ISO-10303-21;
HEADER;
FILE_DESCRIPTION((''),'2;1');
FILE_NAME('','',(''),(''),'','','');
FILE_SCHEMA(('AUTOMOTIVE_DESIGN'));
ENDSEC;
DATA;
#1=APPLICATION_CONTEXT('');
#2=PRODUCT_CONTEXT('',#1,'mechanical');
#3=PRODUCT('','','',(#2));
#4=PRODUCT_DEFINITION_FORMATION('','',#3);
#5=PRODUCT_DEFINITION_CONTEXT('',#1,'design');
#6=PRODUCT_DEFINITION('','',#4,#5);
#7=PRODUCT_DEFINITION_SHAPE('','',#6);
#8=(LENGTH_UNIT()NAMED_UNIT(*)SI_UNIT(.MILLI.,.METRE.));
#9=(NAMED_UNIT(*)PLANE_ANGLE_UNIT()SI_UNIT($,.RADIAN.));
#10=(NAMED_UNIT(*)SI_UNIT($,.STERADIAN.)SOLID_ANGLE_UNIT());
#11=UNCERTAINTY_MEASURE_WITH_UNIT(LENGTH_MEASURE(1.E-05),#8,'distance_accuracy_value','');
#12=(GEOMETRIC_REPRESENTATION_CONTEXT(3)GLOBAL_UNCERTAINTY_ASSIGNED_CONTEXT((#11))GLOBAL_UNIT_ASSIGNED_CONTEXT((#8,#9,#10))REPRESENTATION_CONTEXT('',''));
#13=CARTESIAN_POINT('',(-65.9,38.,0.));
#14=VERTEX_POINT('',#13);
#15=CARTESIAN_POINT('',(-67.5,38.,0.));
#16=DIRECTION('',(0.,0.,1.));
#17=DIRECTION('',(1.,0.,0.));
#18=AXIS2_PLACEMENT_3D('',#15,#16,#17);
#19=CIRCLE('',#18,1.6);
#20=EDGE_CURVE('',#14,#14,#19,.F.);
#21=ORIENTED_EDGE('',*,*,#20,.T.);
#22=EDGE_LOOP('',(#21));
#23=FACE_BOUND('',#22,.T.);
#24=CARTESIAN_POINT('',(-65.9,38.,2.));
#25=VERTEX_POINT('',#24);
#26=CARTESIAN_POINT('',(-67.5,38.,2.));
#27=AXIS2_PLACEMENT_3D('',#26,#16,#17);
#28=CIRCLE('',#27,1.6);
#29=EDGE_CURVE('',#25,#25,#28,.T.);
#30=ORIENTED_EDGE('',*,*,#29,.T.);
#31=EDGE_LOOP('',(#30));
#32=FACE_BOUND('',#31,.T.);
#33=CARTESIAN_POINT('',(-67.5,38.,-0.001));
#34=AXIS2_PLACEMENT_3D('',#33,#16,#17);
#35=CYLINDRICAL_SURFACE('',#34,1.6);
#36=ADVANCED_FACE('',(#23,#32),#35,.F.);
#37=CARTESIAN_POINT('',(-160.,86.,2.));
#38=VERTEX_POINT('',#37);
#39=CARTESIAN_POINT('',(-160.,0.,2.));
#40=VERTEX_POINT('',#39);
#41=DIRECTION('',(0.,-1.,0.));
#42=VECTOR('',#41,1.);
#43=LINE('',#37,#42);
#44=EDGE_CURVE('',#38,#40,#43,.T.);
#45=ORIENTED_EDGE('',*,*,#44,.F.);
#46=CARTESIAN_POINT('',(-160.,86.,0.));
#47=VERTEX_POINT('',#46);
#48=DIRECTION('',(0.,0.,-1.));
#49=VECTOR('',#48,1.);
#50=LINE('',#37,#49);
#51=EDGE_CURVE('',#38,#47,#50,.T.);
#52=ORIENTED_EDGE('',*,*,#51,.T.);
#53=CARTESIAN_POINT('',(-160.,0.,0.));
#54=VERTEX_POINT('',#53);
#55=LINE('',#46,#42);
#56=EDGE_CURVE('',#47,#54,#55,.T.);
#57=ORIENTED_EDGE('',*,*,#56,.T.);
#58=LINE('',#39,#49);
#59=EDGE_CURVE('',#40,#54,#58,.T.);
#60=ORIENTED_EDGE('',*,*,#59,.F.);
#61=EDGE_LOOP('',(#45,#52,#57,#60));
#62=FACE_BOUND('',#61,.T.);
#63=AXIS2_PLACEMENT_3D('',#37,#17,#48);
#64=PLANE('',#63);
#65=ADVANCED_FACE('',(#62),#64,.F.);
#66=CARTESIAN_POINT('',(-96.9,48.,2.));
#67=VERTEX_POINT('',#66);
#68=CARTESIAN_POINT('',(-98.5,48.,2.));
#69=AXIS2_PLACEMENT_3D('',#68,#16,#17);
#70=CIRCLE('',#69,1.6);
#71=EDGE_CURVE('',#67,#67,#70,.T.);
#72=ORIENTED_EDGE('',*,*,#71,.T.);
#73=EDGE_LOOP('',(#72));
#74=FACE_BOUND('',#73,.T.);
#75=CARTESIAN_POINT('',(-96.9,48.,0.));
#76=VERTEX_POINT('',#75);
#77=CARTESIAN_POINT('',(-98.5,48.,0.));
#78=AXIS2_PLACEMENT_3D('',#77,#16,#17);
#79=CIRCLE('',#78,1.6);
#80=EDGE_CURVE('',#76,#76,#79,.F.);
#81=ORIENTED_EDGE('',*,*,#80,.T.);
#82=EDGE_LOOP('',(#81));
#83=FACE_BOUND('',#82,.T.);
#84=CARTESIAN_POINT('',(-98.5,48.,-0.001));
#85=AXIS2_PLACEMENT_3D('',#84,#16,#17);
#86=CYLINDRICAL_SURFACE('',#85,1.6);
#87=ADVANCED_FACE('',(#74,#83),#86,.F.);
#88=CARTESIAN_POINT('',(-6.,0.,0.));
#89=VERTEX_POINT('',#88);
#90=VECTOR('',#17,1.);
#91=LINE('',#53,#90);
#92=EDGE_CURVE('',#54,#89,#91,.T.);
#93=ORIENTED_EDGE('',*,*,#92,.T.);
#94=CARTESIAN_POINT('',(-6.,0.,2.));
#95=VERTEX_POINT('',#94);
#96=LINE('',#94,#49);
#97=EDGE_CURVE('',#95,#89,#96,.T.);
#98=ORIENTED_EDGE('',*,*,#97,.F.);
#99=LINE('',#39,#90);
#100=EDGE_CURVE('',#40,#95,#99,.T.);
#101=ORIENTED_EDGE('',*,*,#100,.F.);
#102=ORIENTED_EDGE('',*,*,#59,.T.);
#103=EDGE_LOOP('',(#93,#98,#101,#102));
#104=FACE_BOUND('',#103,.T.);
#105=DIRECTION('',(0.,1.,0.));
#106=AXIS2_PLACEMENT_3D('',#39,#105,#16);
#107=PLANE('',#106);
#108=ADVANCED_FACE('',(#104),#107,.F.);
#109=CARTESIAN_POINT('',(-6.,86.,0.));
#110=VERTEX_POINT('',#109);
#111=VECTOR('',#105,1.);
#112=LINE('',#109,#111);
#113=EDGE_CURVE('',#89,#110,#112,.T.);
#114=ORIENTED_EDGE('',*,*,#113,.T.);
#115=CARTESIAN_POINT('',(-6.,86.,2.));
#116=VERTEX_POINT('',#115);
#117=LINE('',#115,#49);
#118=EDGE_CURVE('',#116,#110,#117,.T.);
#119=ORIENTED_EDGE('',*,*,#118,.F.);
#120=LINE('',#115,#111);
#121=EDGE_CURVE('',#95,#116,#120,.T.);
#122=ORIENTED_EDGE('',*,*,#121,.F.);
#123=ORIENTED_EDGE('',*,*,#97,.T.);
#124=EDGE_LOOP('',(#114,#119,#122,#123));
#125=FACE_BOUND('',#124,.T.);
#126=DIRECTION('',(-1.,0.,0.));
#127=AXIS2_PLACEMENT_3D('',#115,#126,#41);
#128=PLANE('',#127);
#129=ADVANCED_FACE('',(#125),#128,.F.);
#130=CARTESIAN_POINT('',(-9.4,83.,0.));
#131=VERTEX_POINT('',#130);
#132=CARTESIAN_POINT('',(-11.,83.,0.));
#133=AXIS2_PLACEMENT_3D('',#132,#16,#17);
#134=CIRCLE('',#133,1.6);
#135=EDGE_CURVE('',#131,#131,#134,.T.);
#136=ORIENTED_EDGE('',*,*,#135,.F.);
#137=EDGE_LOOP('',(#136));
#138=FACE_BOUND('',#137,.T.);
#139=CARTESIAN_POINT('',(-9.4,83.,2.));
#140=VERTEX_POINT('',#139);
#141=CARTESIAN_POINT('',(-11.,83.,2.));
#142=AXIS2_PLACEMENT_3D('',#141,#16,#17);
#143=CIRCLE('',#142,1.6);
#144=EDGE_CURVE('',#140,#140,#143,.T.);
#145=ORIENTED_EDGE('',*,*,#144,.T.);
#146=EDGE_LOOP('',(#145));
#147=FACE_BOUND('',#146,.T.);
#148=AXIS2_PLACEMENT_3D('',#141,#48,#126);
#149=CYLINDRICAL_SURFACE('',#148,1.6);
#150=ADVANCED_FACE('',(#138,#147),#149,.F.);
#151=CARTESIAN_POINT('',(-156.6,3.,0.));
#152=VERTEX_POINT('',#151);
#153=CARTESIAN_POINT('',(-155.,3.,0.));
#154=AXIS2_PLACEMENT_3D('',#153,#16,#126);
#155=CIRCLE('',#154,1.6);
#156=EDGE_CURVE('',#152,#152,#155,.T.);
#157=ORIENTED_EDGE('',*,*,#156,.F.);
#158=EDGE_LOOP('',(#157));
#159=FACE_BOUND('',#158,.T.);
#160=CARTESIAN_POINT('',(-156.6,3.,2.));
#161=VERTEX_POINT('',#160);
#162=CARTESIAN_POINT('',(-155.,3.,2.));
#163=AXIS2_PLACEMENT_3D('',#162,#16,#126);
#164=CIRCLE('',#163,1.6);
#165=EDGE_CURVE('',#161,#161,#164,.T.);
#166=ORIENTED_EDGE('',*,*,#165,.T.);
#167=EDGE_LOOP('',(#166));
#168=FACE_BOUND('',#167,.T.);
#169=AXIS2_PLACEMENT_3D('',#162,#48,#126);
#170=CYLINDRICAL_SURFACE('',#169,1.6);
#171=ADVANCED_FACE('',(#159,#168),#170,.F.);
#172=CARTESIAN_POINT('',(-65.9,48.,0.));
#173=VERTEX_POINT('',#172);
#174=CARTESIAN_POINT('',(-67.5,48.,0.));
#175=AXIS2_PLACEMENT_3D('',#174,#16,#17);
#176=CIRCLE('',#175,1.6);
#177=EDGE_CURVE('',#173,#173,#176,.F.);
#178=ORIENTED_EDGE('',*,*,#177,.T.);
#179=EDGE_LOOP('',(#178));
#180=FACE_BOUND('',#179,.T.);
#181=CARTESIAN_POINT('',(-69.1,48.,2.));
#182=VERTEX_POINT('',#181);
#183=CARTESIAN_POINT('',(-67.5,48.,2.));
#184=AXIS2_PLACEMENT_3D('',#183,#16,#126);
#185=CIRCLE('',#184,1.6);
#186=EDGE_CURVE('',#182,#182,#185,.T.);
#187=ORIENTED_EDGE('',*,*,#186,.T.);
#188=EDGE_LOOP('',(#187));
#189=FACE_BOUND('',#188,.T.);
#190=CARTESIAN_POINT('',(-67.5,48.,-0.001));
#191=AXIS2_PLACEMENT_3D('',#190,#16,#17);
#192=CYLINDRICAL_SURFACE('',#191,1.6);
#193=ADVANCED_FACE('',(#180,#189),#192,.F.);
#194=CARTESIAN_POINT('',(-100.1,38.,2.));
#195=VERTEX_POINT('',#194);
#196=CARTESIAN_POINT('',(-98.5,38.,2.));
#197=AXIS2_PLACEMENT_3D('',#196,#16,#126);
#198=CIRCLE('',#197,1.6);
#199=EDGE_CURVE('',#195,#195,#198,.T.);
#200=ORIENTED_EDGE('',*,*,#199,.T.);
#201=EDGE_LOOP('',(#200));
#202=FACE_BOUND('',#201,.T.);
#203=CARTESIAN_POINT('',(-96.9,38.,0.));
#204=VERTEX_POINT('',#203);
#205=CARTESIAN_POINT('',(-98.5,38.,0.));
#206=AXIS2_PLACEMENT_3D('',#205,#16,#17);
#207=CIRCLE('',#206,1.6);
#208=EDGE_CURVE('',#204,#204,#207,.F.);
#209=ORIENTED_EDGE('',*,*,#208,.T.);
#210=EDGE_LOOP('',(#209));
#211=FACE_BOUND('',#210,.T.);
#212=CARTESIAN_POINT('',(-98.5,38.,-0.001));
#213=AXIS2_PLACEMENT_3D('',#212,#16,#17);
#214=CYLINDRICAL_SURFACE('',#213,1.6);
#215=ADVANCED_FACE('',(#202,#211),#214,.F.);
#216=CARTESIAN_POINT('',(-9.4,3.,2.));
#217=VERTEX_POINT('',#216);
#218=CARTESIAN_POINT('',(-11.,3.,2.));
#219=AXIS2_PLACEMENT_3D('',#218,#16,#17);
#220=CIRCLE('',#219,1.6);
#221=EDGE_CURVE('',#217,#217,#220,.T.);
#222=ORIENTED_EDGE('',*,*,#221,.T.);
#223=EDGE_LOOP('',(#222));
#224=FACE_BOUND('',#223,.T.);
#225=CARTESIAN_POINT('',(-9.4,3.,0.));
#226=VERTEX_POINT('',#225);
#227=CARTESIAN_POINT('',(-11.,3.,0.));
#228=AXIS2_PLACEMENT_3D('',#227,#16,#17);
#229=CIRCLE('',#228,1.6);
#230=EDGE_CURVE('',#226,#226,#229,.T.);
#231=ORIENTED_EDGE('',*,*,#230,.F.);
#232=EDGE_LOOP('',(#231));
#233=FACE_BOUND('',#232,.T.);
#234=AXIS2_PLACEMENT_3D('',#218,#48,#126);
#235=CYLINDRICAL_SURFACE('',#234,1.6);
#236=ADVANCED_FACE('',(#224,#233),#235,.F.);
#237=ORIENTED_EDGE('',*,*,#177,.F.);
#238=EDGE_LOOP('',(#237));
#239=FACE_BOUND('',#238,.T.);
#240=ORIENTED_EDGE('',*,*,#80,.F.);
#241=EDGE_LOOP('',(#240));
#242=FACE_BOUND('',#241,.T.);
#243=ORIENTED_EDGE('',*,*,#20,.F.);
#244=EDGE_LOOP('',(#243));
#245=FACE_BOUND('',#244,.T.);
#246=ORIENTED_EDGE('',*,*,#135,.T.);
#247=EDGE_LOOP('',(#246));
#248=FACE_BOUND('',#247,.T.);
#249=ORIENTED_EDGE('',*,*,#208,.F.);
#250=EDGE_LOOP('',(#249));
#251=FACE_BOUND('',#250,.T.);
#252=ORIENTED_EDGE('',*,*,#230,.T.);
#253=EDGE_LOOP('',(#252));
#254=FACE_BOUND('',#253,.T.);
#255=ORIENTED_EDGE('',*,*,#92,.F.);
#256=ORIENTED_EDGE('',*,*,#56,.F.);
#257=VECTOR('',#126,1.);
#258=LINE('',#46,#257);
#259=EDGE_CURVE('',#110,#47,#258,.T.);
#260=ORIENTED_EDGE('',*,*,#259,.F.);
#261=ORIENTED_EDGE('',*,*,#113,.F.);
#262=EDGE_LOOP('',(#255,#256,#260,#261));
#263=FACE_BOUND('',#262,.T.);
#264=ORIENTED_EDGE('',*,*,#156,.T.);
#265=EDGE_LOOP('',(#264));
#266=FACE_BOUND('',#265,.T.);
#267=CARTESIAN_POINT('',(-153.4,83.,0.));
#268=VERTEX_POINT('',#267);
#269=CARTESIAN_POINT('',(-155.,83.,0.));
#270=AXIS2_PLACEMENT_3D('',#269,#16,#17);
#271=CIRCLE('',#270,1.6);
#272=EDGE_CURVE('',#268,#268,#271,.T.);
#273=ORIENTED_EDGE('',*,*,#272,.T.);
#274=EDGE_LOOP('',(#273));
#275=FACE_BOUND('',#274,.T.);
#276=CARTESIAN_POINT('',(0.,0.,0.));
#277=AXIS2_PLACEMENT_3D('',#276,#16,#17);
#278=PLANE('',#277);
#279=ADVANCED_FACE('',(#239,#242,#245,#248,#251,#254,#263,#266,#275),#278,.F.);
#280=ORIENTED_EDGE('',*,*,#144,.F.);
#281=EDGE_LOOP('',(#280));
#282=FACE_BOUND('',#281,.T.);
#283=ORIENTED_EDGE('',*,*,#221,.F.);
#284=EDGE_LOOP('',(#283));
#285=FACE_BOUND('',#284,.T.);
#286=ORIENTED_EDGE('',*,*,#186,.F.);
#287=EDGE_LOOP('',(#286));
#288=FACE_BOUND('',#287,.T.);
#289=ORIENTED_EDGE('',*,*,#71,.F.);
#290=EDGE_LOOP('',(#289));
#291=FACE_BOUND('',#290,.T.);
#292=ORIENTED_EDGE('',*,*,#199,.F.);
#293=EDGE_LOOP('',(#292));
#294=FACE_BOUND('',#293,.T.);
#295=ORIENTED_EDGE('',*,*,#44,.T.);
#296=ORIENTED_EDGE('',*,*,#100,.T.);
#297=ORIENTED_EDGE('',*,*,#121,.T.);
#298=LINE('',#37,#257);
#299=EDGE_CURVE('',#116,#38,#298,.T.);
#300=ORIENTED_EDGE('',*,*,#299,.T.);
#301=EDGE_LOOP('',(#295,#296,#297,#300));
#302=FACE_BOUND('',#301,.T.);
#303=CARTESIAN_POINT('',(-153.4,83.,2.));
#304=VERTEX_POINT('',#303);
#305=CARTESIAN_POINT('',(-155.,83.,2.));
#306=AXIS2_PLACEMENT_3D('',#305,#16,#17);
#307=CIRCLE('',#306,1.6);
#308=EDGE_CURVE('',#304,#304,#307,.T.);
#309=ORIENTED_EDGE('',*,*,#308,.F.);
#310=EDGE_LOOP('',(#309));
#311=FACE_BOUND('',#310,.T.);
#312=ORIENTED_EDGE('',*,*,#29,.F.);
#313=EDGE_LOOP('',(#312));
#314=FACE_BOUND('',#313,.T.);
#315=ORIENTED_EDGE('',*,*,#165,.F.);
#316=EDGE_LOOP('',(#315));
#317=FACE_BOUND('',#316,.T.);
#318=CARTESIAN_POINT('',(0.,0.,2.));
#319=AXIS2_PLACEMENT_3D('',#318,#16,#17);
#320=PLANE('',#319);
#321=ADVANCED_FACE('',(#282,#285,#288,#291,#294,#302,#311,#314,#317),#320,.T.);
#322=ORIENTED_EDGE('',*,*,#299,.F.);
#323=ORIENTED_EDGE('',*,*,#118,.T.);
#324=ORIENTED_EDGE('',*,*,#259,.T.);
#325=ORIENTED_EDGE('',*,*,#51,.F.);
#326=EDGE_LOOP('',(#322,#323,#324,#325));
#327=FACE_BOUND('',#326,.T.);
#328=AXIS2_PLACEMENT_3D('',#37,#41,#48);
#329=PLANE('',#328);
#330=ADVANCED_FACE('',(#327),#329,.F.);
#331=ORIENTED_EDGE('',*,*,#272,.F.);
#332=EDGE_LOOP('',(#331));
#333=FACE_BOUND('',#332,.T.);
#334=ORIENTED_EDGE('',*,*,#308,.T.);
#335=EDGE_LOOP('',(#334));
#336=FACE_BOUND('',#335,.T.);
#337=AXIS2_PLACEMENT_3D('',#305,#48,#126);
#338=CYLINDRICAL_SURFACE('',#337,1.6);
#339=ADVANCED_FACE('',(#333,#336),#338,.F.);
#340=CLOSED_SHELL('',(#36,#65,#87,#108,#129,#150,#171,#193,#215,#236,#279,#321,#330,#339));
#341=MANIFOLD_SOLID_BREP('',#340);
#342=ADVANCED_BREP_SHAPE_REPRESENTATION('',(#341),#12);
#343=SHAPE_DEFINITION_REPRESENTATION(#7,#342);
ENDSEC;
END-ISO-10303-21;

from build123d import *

# Parameters (mm, degrees)
SKETCH_1_W          = 154
SKETCH_1_H          = 86
SKETCH_1_R          = 1.6
EXTRUDE_1_DEPTH     = 2
CUT_EXTRUDE_1_REACH = 183.659
SKETCH_2_R          = 1.6


with BuildPart() as part:
    # 草图1 → 凸台-拉伸1 (new body)
    with BuildSketch(Plane.XY):
        with Locations((-83, 43)):
            Rectangle(SKETCH_1_W, SKETCH_1_H)
        with Locations(Location((-155, 3, 0), (0, 0, 180))):
            Circle(SKETCH_1_R, mode=Mode.SUBTRACT)
        with Locations((-11, 3)):
            Circle(SKETCH_1_R, mode=Mode.SUBTRACT)
        with Locations((-11, 83)):
            Circle(SKETCH_1_R, mode=Mode.SUBTRACT)
        with Locations((-155, 83)):
            Circle(SKETCH_1_R, mode=Mode.SUBTRACT)
    extrude(amount=EXTRUDE_1_DEPTH)

    # 草图2 → 切除-拉伸1 (cut, up to next)
    with BuildSketch(Plane.XY.offset(2), mode=Mode.PRIVATE) as cut_extrude_1_sk1:
        with Locations((-98.5, 48)):
            Circle(SKETCH_2_R)
    cut_extrude_1_tool1 = extrude(cut_extrude_1_sk1.sketch, amount=-CUT_EXTRUDE_1_REACH, mode=Mode.PRIVATE) & part.part
    # 草图2 → 切除-拉伸1 (cut, up to next)
    with BuildSketch(Plane.XY.offset(2), mode=Mode.PRIVATE) as cut_extrude_1_sk2:
        with Locations((-67.5, 48)):
            Circle(SKETCH_2_R)
    cut_extrude_1_tool2 = extrude(cut_extrude_1_sk2.sketch, amount=-CUT_EXTRUDE_1_REACH, mode=Mode.PRIVATE) & part.part
    # 草图2 → 切除-拉伸1 (cut, up to next)
    with BuildSketch(Plane.XY.offset(2), mode=Mode.PRIVATE) as cut_extrude_1_sk3:
        with Locations((-67.5, 38)):
            Circle(SKETCH_2_R)
    cut_extrude_1_tool3 = extrude(cut_extrude_1_sk3.sketch, amount=-CUT_EXTRUDE_1_REACH, mode=Mode.PRIVATE) & part.part
    # 草图2 → 切除-拉伸1 (cut, up to next)
    with BuildSketch(Plane.XY.offset(2), mode=Mode.PRIVATE) as cut_extrude_1_sk4:
        with Locations((-98.5, 38)):
            Circle(SKETCH_2_R)
    cut_extrude_1_tool4 = extrude(cut_extrude_1_sk4.sketch, amount=-CUT_EXTRUDE_1_REACH, mode=Mode.PRIVATE) & part.part
    add(cut_extrude_1_tool1.solids().sort_by_distance((-98.5, 48, 2))[0], mode=Mode.SUBTRACT)
    add(cut_extrude_1_tool2.solids().sort_by_distance((-67.5, 48, 2))[0], mode=Mode.SUBTRACT)
    add(cut_extrude_1_tool3.solids().sort_by_distance((-67.5, 38, 2))[0], mode=Mode.SUBTRACT)
    add(cut_extrude_1_tool4.solids().sort_by_distance((-98.5, 38, 2))[0], mode=Mode.SUBTRACT)


solid = part.part
